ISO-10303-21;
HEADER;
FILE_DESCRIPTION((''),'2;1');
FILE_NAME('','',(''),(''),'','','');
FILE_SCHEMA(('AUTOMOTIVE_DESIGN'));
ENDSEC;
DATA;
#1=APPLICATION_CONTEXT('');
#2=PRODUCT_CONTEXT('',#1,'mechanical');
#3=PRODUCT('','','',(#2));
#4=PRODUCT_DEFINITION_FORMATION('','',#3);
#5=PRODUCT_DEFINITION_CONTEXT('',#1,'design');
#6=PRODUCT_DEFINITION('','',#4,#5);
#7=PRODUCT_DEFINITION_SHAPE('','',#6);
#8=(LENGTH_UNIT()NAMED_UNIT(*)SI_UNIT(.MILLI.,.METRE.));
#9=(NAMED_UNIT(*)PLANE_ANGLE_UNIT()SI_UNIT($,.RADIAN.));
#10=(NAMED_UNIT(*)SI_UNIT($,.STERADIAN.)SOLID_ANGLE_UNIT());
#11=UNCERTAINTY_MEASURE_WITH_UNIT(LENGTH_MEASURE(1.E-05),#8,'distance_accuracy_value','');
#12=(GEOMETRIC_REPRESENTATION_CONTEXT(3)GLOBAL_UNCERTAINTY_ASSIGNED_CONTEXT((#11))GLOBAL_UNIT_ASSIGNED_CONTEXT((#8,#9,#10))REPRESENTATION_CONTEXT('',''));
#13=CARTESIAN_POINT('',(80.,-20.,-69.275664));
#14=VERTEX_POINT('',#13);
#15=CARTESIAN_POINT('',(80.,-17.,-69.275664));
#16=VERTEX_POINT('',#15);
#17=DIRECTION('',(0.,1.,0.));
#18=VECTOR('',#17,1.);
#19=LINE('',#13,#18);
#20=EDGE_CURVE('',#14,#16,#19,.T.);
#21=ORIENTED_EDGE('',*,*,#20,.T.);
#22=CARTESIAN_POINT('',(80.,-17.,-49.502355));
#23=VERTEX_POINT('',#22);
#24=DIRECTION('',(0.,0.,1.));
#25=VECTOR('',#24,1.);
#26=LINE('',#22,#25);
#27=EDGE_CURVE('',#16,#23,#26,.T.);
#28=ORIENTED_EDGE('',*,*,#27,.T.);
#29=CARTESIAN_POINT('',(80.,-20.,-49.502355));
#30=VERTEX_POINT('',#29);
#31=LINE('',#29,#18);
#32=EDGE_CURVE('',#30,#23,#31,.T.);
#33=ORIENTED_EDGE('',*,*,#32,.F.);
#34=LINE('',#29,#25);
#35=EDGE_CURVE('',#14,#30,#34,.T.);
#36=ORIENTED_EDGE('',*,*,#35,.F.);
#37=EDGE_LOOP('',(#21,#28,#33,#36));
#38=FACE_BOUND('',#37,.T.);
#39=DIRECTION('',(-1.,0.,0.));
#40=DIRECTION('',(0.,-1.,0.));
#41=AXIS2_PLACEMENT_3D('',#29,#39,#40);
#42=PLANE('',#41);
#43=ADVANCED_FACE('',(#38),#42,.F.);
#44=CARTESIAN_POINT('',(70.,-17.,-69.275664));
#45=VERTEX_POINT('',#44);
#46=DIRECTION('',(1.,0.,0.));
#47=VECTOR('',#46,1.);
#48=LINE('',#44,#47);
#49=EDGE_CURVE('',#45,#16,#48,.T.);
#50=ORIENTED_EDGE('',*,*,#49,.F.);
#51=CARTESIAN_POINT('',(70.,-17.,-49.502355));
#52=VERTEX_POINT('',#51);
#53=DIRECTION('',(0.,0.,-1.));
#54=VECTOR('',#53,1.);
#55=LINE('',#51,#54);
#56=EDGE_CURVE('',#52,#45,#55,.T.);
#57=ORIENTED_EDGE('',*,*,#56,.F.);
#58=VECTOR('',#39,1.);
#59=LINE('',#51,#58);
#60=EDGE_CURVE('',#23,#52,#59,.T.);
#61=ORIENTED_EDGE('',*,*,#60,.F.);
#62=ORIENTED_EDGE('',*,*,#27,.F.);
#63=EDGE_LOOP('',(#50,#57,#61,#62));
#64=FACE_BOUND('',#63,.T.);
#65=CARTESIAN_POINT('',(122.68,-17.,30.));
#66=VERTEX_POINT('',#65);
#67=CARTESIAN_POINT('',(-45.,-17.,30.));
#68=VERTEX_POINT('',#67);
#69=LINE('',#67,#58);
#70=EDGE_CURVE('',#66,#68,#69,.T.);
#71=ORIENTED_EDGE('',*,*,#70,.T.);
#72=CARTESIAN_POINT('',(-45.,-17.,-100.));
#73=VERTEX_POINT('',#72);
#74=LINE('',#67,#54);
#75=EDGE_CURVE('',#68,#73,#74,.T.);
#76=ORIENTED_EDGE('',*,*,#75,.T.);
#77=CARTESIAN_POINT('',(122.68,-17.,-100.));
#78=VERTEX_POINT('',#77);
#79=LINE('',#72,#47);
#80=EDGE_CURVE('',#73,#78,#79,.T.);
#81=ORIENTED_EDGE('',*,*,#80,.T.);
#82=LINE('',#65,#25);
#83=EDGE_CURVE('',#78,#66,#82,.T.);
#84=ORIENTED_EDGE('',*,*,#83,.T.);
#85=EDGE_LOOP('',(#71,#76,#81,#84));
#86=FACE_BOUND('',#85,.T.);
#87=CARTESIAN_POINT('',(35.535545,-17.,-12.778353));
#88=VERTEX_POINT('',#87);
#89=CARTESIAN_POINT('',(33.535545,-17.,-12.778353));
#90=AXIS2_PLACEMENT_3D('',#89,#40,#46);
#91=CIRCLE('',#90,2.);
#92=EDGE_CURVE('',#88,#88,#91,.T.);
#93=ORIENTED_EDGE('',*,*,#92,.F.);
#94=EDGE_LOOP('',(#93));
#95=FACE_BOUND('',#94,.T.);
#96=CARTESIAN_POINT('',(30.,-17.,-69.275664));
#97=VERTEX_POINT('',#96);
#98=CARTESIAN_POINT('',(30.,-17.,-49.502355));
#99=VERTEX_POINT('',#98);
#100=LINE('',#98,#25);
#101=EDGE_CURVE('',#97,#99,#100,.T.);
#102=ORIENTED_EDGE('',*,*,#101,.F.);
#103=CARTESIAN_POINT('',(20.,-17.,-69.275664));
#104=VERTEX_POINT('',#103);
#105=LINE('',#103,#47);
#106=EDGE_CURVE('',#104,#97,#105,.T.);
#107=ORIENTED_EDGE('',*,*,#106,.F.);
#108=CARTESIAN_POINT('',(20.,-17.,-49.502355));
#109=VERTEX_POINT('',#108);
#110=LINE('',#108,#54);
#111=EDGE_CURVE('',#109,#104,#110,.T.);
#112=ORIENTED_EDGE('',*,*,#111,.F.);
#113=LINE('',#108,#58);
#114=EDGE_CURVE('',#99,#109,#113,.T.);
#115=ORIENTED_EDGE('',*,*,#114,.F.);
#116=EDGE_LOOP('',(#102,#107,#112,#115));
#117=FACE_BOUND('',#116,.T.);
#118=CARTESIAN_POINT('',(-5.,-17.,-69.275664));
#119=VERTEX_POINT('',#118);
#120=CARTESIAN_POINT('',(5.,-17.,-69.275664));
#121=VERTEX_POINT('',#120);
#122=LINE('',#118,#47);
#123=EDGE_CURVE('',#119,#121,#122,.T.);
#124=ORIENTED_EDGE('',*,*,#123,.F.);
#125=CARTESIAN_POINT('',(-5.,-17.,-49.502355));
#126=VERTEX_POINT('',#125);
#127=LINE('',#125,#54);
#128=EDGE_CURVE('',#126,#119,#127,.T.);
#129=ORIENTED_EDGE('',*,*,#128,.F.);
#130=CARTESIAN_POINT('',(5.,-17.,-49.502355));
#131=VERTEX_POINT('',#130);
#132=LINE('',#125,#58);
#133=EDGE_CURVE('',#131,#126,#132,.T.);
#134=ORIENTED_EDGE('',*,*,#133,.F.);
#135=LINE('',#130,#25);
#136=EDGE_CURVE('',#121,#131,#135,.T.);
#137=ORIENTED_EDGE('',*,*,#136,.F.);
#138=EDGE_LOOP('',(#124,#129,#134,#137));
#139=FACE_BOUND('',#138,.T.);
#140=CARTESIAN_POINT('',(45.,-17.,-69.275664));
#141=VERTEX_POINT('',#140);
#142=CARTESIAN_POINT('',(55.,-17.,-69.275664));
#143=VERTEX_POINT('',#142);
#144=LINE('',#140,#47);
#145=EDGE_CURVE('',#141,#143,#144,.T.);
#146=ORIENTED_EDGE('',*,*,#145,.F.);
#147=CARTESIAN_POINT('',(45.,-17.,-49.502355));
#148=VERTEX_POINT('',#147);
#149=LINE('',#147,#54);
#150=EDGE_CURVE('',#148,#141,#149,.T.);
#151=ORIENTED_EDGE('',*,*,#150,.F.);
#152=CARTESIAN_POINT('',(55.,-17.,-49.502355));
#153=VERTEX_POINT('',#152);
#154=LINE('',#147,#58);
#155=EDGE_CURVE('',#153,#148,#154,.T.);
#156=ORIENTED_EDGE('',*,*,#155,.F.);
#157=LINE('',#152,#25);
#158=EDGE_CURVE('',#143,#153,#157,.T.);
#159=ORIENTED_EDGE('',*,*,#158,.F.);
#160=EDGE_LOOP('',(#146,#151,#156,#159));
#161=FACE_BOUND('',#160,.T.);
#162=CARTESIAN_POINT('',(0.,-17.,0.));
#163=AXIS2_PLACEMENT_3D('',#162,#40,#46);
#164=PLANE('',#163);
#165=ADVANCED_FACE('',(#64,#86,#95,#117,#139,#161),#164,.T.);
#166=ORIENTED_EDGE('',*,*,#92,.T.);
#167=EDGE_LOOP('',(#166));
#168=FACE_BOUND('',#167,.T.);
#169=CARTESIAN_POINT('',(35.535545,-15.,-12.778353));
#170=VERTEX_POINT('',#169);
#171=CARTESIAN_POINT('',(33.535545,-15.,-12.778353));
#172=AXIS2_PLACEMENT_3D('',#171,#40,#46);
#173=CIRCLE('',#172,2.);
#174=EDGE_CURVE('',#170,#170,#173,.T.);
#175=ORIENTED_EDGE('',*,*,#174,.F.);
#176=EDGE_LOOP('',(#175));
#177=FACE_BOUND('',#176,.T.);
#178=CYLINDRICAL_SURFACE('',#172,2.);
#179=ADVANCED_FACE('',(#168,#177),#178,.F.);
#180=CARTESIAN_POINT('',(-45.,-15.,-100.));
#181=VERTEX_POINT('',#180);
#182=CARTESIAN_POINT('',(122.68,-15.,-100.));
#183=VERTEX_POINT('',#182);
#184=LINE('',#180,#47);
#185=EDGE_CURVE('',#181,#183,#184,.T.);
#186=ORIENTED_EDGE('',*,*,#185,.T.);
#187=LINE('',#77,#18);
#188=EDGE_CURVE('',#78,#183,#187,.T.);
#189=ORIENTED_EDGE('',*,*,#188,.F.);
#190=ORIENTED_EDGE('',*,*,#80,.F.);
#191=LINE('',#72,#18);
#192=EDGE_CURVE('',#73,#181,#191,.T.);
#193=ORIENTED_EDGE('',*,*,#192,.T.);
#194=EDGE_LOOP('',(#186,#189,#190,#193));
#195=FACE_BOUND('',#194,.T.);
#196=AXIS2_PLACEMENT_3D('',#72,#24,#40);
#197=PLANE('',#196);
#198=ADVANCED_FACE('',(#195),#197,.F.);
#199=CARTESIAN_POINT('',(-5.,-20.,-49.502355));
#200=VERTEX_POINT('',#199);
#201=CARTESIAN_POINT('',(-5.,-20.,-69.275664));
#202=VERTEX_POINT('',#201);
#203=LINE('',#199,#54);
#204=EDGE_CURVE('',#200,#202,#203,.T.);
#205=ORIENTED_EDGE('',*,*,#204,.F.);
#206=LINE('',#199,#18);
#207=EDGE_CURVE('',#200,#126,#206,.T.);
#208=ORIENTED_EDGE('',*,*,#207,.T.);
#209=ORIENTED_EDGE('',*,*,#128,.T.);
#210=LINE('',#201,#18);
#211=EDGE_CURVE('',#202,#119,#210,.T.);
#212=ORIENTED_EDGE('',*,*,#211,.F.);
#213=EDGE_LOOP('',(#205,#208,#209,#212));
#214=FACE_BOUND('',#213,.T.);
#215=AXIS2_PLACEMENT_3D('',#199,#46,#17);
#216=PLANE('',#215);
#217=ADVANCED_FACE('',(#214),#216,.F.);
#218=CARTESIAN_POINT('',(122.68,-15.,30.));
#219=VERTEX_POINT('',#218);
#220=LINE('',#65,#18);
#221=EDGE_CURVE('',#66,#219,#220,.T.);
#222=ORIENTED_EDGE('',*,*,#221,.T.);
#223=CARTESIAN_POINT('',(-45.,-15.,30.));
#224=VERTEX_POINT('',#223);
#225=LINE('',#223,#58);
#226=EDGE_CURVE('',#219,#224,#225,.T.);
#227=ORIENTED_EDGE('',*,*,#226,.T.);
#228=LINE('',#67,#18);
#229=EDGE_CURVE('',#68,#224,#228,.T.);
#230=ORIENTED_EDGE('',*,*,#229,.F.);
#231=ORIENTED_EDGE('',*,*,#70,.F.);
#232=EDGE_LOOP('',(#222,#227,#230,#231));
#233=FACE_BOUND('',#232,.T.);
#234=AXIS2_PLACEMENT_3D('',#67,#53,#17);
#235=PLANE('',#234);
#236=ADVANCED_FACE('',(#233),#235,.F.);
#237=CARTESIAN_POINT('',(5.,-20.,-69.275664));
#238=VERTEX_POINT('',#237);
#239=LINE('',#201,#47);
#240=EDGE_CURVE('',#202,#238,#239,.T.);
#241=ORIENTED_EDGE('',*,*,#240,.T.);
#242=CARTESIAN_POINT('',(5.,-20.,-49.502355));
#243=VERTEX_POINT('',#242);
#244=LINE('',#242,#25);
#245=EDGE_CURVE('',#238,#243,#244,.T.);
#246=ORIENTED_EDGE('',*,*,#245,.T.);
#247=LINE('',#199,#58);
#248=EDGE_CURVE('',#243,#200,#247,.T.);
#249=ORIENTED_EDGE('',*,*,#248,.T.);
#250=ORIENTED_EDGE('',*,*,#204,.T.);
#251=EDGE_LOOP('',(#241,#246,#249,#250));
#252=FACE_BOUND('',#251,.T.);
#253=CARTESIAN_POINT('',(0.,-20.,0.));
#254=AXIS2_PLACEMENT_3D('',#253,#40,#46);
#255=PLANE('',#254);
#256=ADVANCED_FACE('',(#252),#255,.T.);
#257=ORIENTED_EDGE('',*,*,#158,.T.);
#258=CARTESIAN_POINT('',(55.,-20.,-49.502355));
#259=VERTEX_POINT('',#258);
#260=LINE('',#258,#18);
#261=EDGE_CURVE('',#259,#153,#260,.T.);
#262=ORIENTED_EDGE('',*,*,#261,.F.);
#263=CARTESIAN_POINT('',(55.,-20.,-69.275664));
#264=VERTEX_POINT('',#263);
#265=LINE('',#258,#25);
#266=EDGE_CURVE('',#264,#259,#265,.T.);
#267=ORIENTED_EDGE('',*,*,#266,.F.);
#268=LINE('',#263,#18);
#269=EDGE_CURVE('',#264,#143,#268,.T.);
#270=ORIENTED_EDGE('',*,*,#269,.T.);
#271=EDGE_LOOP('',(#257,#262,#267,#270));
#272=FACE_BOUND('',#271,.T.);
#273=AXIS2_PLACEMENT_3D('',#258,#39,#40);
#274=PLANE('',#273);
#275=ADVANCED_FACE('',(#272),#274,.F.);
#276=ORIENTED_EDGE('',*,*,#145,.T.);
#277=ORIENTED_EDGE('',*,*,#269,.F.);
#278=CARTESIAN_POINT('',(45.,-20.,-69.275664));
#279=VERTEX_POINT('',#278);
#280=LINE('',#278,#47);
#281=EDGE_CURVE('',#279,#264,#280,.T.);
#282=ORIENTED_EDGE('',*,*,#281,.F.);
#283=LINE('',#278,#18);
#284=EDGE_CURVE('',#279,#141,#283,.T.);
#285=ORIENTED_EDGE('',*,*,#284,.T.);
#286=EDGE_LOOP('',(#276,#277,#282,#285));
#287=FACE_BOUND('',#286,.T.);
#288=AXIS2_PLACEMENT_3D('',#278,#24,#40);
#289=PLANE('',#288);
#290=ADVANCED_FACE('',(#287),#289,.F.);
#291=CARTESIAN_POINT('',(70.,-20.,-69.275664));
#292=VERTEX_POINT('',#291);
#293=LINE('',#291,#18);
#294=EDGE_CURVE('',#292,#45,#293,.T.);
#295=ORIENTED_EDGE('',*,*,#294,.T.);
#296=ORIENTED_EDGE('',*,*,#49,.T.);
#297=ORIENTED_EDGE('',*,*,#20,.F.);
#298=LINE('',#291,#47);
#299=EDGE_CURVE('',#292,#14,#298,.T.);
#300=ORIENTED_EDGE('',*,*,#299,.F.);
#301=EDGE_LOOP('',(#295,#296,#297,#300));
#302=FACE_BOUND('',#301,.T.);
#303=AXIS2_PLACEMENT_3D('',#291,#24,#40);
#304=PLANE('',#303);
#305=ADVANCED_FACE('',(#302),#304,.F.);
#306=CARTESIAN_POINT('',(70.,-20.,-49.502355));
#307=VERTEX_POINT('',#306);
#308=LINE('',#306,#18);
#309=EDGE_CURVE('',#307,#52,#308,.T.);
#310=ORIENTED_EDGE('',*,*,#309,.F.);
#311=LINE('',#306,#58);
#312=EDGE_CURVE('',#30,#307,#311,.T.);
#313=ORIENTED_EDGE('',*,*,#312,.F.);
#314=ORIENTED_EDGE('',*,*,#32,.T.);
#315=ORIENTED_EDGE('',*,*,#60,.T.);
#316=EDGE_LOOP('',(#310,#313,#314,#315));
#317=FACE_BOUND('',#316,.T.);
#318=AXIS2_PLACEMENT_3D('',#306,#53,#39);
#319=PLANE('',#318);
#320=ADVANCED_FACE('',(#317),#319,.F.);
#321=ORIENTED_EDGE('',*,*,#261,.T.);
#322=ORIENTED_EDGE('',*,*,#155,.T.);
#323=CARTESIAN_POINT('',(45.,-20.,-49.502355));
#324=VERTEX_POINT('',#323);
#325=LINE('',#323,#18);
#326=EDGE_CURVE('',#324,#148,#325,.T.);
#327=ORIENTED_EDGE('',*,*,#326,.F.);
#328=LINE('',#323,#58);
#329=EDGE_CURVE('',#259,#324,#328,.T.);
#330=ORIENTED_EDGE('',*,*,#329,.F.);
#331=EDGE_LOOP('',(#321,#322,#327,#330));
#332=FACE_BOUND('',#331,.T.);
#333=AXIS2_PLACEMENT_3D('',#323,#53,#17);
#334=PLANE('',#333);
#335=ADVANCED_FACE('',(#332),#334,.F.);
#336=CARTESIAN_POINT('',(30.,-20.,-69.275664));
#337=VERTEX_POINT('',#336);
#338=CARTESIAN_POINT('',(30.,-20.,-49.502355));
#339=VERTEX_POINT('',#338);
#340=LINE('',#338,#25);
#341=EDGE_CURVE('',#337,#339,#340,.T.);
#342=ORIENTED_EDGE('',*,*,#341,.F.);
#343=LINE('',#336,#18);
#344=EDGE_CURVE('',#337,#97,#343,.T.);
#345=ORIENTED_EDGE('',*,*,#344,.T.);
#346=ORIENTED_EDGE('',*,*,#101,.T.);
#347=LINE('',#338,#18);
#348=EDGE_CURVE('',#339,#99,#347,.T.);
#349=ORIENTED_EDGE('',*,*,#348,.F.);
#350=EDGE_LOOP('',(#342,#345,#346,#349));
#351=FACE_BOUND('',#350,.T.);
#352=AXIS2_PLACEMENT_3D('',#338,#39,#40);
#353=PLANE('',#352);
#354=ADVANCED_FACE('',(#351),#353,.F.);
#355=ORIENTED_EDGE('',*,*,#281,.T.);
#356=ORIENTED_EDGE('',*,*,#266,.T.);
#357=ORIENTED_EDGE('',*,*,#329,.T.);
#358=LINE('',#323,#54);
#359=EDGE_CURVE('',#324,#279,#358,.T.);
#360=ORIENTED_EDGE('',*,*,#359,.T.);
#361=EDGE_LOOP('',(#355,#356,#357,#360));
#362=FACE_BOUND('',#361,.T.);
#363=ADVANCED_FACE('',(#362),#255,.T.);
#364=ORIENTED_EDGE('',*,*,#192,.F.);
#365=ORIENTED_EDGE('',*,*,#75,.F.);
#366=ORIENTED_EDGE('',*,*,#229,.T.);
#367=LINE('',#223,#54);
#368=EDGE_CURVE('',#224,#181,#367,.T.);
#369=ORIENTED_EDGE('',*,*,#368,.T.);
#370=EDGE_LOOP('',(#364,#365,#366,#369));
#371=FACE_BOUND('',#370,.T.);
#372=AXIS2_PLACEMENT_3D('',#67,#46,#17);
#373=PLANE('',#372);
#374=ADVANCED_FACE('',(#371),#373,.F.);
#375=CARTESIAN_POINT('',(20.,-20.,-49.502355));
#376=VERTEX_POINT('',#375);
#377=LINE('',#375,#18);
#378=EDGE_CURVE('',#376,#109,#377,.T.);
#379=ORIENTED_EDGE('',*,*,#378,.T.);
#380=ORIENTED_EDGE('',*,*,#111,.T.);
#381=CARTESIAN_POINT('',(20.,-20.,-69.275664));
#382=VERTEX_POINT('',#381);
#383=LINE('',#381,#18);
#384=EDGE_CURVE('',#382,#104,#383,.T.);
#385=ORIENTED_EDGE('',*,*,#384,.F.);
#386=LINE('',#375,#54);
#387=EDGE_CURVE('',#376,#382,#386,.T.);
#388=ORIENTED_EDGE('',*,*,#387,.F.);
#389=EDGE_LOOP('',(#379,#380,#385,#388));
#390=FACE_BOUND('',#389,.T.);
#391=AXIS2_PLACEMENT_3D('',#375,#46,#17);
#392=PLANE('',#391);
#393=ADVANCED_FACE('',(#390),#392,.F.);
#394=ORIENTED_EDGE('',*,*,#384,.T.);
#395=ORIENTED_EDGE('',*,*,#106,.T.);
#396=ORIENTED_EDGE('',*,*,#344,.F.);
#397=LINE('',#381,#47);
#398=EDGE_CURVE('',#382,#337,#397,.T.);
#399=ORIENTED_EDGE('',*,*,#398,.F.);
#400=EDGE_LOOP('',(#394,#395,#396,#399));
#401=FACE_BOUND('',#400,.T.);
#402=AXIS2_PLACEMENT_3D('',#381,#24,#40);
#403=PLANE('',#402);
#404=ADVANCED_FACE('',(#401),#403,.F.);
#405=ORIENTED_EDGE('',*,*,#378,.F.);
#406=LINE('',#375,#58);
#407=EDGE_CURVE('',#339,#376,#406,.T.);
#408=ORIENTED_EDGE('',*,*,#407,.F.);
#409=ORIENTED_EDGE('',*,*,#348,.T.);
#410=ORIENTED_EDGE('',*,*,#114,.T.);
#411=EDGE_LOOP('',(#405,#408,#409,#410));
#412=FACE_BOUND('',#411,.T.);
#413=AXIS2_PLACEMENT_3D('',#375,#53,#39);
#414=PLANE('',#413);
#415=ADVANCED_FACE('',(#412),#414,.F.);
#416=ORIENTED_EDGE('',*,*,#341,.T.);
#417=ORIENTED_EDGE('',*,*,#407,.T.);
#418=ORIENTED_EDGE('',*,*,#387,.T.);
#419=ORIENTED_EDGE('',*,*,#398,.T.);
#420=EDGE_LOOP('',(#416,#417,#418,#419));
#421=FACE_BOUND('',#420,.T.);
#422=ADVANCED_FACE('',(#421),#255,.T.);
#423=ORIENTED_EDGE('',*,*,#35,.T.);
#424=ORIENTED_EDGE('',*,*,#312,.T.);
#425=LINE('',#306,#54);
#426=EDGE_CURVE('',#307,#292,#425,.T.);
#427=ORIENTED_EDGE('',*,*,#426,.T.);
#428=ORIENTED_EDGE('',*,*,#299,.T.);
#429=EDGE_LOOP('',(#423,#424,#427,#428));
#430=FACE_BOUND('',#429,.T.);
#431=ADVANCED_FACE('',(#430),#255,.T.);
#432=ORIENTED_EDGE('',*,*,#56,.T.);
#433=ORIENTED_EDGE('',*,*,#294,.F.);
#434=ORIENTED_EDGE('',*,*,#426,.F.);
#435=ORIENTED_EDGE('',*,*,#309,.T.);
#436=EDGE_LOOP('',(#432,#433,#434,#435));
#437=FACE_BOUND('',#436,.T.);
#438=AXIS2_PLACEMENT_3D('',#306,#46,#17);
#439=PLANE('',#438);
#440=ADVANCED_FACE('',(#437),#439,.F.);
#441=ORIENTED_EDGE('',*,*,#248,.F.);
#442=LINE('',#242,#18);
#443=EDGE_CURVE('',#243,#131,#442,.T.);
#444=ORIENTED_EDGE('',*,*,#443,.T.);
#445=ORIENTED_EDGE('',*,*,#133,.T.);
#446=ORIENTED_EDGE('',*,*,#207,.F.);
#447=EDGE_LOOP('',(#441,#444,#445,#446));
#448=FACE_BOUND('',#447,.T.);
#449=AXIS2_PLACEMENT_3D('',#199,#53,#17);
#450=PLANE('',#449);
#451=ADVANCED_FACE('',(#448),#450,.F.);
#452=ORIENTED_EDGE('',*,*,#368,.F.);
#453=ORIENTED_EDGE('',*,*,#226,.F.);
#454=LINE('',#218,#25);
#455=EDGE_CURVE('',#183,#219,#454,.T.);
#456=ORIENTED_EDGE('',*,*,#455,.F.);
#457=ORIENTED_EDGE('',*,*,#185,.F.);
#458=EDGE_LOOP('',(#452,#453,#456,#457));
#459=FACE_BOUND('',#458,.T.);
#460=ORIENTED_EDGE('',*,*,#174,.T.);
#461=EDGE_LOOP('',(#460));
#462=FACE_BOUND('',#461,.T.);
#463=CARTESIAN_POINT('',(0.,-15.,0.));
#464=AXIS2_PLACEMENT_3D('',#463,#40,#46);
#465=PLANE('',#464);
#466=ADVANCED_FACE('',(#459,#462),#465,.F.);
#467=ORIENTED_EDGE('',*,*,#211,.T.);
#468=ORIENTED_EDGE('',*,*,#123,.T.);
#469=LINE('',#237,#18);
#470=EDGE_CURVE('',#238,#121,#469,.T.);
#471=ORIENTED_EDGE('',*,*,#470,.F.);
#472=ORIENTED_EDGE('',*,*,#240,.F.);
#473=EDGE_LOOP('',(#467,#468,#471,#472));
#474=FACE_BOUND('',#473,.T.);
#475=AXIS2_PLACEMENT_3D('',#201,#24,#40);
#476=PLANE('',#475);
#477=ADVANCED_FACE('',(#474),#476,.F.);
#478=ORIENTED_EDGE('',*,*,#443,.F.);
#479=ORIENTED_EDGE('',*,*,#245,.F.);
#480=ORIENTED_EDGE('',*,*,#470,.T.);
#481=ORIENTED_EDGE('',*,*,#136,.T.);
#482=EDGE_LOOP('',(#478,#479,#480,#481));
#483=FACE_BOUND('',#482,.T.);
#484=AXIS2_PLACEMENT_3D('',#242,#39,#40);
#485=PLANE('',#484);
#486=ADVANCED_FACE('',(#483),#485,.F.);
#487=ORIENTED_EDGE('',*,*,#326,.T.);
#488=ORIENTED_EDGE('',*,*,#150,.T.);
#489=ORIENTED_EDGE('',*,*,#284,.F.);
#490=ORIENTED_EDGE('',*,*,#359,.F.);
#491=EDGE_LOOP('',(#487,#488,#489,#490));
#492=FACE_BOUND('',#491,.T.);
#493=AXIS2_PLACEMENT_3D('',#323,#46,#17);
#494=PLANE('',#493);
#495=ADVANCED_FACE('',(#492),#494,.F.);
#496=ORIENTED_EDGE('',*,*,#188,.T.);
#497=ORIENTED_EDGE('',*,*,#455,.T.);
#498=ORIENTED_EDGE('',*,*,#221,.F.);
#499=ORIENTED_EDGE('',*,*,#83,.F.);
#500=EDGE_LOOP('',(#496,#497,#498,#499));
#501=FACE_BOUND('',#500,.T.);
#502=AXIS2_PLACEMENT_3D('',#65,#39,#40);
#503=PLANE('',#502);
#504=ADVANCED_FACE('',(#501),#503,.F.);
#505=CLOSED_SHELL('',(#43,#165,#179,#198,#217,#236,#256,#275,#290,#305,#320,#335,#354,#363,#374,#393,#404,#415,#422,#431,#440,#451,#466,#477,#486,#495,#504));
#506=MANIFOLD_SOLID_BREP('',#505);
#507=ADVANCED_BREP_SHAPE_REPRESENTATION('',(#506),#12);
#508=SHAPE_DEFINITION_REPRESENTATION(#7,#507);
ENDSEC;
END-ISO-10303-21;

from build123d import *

# Parameters (mm, degrees)
SKETCH_3_W          = 167.68
SKETCH_3_H          = 130
EXTRUDE_1_DEPTH     = 2
SKETCH_5_R          = 2
CUT_EXTRUDE_1_DEPTH = 2
SKETCH_6_W          = 10
SKETCH_6_H          = 19.7733087
EXTRUDE_2_DEPTH     = 3


with BuildPart() as part:
    # 스케치3 → 보스-돌출1 (new body)
    with BuildSketch(Plane.XZ.offset(15)):
        with Locations((38.84, -35)):
            Rectangle(SKETCH_3_W, SKETCH_3_H)
    extrude(amount=EXTRUDE_1_DEPTH)

    # 스케치5 → 컷-돌출1 (cut)
    with BuildSketch(Plane.XZ.offset(17)):
        with Locations((33.535545215, -12.778353339)):
            Circle(SKETCH_5_R)
    extrude(amount=-CUT_EXTRUDE_1_DEPTH, mode=Mode.SUBTRACT)

    # 스케치6 → 보스-돌출2 (add)
    with BuildSketch(Plane.XZ.offset(17)):
        with Locations((0, -59.389009604)):
            Rectangle(SKETCH_6_W, SKETCH_6_H)
        with Locations((25, -59.389009604)):
            Rectangle(SKETCH_6_W, SKETCH_6_H)
        with Locations((50, -59.389009604)):
            Rectangle(SKETCH_6_W, SKETCH_6_H)
        with Locations((75, -59.389009604)):
            Rectangle(SKETCH_6_W, SKETCH_6_H)
    extrude(amount=EXTRUDE_2_DEPTH)


solid = part.part
